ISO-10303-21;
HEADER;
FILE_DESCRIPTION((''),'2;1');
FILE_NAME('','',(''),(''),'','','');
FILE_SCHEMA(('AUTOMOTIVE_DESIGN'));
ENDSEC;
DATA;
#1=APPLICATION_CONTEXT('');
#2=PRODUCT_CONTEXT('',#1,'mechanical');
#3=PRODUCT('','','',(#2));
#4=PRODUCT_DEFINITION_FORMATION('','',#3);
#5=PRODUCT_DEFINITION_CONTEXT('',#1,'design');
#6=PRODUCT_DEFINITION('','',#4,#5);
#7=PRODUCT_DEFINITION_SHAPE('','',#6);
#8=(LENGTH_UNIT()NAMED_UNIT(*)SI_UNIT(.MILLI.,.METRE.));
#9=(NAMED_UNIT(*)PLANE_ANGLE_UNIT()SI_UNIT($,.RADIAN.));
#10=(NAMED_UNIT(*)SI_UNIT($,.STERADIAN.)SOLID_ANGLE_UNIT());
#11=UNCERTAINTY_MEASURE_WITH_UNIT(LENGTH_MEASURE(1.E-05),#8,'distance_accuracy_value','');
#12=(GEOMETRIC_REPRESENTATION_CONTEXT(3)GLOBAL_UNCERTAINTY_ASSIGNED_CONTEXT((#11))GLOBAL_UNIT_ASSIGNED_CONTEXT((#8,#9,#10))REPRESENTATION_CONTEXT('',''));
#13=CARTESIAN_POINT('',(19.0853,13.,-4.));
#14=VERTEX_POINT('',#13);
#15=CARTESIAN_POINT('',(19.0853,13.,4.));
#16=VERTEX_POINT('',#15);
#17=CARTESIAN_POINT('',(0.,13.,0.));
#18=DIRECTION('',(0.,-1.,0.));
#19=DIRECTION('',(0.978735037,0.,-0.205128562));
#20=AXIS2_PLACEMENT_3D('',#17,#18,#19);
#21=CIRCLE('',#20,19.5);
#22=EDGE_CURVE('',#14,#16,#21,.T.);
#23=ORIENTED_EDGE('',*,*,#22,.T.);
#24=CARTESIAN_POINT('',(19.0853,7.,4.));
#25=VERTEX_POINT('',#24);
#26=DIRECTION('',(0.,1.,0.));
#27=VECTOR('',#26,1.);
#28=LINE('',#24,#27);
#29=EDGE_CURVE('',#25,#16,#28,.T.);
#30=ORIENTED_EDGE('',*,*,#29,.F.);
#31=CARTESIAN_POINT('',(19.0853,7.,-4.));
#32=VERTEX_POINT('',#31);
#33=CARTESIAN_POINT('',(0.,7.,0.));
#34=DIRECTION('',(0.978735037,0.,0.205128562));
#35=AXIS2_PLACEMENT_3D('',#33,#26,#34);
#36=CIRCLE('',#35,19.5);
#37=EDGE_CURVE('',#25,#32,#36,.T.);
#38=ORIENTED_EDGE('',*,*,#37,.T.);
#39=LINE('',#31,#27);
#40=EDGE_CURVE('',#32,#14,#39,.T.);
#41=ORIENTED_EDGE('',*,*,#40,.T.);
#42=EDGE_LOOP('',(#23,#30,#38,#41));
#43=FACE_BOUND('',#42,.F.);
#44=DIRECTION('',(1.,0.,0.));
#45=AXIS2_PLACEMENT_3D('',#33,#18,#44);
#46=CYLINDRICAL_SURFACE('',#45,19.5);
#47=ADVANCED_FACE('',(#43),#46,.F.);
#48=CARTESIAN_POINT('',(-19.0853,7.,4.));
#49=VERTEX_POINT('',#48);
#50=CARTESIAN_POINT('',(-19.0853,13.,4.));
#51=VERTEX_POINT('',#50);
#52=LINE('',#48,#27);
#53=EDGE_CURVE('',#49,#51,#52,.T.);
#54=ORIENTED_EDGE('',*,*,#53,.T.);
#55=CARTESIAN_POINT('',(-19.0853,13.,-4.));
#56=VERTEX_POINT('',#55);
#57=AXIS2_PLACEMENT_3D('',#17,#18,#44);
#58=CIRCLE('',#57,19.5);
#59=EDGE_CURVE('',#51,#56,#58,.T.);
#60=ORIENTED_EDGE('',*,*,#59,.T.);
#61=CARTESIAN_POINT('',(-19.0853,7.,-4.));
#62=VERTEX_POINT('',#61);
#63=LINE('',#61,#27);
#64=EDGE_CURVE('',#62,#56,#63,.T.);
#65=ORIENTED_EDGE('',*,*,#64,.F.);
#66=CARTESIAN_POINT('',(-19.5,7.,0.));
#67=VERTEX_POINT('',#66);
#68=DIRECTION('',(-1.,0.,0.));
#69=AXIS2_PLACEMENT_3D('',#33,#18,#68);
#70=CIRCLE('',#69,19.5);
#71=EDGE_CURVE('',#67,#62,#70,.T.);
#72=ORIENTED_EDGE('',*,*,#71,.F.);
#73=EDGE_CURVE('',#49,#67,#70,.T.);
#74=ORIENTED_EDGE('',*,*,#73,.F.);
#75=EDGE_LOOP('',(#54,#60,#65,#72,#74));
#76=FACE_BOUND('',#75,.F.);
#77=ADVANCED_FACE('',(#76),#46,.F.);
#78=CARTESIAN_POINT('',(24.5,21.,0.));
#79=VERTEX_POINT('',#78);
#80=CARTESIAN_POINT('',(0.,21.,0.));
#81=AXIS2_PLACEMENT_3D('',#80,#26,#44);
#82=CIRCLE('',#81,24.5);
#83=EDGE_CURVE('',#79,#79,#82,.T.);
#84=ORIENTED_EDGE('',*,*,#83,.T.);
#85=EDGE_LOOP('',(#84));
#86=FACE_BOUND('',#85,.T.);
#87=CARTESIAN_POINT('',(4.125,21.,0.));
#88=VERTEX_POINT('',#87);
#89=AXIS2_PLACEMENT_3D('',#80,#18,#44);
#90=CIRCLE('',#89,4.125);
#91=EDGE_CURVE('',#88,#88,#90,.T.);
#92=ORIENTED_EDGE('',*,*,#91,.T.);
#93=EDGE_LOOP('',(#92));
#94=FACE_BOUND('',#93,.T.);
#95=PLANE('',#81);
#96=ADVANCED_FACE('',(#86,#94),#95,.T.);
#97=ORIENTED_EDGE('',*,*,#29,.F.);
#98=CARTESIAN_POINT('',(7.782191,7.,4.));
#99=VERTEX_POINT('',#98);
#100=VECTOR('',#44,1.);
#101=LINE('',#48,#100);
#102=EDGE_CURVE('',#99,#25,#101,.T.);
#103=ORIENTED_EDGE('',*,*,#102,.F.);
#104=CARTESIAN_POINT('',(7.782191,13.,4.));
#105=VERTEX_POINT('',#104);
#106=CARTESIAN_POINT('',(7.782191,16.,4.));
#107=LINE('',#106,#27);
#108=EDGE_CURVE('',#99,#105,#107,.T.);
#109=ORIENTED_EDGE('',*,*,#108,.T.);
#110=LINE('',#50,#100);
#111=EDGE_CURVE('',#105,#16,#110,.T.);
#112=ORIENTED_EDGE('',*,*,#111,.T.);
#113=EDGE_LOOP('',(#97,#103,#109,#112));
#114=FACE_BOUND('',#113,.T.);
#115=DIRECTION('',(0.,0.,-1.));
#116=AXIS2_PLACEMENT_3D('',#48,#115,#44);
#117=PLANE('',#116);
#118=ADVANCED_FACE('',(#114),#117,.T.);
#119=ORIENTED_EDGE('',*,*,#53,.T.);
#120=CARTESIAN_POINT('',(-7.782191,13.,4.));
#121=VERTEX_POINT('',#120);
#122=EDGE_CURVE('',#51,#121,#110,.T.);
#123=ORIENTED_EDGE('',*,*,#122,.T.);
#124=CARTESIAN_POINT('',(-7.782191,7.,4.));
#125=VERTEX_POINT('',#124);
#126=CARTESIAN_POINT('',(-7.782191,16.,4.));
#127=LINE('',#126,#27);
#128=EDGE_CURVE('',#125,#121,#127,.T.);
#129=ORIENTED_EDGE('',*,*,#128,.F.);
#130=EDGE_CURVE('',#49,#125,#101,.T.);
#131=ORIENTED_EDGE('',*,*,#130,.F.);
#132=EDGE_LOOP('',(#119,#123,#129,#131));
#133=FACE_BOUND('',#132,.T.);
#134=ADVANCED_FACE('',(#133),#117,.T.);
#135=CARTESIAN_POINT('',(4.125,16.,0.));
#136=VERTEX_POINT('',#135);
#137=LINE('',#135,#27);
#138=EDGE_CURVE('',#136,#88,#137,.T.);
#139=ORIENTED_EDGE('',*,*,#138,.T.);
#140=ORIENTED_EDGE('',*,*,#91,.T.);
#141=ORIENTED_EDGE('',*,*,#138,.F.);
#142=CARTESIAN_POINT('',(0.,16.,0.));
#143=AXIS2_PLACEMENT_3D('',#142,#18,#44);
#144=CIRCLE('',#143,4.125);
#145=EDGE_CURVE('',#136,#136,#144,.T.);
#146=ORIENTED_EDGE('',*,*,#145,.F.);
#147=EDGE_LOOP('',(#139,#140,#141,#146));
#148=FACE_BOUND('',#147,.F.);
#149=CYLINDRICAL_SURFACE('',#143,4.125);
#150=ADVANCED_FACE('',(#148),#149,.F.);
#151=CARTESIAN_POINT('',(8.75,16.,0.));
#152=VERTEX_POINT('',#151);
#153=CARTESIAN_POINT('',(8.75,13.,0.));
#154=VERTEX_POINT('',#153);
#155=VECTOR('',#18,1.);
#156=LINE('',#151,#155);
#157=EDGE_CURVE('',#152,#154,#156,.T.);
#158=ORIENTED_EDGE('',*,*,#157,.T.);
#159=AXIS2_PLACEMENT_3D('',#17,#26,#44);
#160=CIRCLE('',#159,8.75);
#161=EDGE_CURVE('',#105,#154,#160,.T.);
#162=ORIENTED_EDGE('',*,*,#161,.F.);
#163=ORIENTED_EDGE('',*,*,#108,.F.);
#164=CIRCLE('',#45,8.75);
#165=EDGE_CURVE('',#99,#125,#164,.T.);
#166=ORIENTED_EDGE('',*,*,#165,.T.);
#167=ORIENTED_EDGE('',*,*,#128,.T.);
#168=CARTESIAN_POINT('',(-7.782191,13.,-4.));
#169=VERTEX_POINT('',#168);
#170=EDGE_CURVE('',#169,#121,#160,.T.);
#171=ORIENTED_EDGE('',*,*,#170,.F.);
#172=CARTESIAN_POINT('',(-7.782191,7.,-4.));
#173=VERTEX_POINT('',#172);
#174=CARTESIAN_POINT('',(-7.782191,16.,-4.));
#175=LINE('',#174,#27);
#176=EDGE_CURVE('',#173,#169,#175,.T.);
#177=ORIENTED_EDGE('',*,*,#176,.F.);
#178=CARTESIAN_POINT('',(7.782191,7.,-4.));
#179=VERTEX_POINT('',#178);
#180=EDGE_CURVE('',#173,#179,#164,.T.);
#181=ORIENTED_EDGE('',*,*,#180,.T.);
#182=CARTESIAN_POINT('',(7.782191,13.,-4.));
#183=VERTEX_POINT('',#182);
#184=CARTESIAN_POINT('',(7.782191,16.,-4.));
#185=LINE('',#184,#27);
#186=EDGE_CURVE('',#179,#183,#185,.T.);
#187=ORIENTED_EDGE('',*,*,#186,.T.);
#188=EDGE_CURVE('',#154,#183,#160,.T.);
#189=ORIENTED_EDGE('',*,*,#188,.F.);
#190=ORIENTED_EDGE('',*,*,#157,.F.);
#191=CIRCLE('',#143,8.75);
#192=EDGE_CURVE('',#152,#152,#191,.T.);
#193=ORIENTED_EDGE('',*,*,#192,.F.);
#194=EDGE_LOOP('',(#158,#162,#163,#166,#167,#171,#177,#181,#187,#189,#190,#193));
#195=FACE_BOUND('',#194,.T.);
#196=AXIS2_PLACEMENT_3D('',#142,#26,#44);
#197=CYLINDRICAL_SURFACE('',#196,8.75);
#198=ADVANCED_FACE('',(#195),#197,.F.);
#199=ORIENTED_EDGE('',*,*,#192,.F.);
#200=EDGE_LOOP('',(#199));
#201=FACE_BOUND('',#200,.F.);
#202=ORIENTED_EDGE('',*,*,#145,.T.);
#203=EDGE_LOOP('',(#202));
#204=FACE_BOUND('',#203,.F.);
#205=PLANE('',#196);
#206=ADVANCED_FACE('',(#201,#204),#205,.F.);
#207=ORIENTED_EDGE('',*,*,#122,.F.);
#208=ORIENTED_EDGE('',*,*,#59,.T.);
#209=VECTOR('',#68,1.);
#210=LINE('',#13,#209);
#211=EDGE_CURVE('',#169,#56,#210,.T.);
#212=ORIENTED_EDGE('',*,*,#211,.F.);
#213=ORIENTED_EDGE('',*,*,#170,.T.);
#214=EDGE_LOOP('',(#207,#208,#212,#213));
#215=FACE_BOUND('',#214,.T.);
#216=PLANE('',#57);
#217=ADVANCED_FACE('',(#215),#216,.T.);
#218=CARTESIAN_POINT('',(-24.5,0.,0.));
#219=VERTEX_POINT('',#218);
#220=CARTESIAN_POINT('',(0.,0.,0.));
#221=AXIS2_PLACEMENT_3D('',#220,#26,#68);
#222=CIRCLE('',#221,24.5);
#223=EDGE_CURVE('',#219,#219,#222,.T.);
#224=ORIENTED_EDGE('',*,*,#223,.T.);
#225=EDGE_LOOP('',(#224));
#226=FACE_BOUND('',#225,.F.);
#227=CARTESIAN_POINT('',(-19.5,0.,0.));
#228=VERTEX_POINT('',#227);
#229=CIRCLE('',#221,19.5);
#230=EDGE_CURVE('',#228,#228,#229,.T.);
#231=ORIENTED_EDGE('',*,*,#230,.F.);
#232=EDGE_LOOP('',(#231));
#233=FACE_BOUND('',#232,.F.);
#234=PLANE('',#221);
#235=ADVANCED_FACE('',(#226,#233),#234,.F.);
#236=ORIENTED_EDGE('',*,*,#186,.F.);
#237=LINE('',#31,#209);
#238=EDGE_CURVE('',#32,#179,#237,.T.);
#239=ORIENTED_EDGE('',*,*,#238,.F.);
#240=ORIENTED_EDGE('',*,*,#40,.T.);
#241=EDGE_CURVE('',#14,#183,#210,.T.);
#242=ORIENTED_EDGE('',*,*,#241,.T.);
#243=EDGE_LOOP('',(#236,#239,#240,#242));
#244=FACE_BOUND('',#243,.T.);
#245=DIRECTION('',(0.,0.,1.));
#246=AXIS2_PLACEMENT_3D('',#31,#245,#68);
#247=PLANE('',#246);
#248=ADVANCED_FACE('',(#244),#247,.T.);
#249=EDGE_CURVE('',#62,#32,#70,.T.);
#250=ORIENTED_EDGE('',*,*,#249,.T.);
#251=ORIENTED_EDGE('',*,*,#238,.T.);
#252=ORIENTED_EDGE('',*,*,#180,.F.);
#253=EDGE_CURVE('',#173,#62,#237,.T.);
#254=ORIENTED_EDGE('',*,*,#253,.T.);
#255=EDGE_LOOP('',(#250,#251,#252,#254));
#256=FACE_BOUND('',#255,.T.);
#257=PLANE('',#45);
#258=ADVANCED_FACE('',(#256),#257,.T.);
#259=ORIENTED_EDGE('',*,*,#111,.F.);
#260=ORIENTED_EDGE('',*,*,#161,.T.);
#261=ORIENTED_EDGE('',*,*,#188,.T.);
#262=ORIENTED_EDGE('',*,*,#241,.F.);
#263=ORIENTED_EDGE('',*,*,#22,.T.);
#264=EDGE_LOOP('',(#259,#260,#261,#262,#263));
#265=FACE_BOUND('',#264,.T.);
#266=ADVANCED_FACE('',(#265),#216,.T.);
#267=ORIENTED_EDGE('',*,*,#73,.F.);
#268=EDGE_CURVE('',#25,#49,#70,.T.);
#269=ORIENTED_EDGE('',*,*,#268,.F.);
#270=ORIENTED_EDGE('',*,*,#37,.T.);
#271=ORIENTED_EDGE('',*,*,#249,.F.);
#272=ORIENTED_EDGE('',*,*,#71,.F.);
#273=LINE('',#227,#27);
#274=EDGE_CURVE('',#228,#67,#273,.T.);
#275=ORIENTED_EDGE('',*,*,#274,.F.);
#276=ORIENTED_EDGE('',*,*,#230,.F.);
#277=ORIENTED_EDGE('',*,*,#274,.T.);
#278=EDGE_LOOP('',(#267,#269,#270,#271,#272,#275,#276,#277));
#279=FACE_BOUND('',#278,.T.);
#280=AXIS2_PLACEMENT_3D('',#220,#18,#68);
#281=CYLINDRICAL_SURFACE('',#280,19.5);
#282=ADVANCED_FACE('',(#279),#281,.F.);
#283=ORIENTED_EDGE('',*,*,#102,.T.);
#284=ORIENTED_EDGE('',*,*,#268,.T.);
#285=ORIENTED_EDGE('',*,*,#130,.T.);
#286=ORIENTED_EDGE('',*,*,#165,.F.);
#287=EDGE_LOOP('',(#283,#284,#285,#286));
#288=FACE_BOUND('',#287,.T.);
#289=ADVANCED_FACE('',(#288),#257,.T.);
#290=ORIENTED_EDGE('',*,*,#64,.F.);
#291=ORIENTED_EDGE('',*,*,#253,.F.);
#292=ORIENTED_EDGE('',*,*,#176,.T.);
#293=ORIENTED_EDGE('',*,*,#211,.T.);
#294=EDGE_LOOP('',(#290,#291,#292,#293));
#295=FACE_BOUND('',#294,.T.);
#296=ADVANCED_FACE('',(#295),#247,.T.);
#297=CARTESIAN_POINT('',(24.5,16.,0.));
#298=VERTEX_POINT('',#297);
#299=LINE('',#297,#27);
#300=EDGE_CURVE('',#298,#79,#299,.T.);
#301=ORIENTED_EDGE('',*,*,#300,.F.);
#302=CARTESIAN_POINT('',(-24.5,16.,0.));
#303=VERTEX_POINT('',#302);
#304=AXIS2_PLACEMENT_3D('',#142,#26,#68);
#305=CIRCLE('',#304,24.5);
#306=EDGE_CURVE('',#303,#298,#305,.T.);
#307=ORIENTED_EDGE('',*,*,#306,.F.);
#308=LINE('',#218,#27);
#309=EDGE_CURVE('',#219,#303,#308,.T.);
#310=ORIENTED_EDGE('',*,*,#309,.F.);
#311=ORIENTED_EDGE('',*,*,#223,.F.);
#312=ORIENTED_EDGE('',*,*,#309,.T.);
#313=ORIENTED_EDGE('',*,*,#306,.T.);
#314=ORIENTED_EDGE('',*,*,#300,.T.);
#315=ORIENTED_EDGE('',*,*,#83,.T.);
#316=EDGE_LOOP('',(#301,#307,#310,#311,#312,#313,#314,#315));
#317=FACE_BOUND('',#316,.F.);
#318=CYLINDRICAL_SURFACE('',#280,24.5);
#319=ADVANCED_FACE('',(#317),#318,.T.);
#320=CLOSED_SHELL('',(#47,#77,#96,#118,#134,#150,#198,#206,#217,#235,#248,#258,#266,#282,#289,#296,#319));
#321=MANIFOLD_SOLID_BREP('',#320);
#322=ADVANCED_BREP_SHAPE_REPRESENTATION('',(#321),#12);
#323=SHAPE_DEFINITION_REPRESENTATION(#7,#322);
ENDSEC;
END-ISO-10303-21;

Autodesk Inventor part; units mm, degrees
ref_plane "YZ Plane" through (0, 0, 0) normal (1, 0, 0) x (0, 1, 0)
ref_plane "XZ Plane" through (0, 0, 0) normal (0, 1, 0) x (-1, 0, 0)
ref_plane "XY Plane" through (0, 0, 0) normal (0, 0, 1) x (1, 0, 0)
sketch "Sketch1" plane through (0, 0, 0) normal (0, 1, 0) x (-1, 0, 0)
  circle A0 centre (0, 0) radius 19.5
  circle A1 centre (0, 0) radius 24.5
  dimension "d0" = 39
  dimension "d1" = 49
extrude "Extrusion1" add sketch "Sketch1" along normal blind 16
sketch "Sketch4" plane through (0, 16, 0) normal (0, 1, 0) x (1, 0, 0)
  circle A0 centre (0, 0) radius 24.5 projected
  circle A1 centre (0, 0) radius 24.5
extrude "Extrusion3" add sketch "Sketch4" along normal blind 5
sketch "Sketch5" plane through (0, 16, 0) normal (0, -1, 0) x (1, 0, 0)
  circle A0 centre (0, 0) radius 8.75
  circle A1 centre (0, 0) radius 19.5
  dimension "d8" = 17.5
extrude "Extrusion4" add sketch "Sketch5" along normal blind 9
sketch "Sketch6" plane through (0, 7, 0) normal (0, -1, 0) x (1, 0, 0)
  circle A0 centre (0, 0) radius 19.5 projected
  line L0 (-19.0853, 4) -> (19.0853, 4)
  line L1 (19.0853, 4) -> (19.0853, -4)
  line L2 (19.0853, -4) -> (-19.0853, -4)
  line L3 (-19.0853, -4) -> (-19.0853, 4)
  line L4 (-19.0853, 4) -> (19.0853, -4) construction
  line L5 (19.0853, 4) -> (-19.0853, -4) construction
  dimension "d11" = 8
extrude "Extrusion5" cut sketch "Sketch6" against normal blind 6 contours A0 L1 | L1 L2 L3 L0 | L3 A0
sketch "Sketch7" plane through (0, 16, 0) normal (0, -1, 0) x (1, 0, 0)
  circle A0 centre (0, 0) radius 4.125
  dimension "d14" = 8.25
extrude "Extrusion6" cut sketch "Sketch7" against normal blind 5
properties part number "SeguroRueda"
